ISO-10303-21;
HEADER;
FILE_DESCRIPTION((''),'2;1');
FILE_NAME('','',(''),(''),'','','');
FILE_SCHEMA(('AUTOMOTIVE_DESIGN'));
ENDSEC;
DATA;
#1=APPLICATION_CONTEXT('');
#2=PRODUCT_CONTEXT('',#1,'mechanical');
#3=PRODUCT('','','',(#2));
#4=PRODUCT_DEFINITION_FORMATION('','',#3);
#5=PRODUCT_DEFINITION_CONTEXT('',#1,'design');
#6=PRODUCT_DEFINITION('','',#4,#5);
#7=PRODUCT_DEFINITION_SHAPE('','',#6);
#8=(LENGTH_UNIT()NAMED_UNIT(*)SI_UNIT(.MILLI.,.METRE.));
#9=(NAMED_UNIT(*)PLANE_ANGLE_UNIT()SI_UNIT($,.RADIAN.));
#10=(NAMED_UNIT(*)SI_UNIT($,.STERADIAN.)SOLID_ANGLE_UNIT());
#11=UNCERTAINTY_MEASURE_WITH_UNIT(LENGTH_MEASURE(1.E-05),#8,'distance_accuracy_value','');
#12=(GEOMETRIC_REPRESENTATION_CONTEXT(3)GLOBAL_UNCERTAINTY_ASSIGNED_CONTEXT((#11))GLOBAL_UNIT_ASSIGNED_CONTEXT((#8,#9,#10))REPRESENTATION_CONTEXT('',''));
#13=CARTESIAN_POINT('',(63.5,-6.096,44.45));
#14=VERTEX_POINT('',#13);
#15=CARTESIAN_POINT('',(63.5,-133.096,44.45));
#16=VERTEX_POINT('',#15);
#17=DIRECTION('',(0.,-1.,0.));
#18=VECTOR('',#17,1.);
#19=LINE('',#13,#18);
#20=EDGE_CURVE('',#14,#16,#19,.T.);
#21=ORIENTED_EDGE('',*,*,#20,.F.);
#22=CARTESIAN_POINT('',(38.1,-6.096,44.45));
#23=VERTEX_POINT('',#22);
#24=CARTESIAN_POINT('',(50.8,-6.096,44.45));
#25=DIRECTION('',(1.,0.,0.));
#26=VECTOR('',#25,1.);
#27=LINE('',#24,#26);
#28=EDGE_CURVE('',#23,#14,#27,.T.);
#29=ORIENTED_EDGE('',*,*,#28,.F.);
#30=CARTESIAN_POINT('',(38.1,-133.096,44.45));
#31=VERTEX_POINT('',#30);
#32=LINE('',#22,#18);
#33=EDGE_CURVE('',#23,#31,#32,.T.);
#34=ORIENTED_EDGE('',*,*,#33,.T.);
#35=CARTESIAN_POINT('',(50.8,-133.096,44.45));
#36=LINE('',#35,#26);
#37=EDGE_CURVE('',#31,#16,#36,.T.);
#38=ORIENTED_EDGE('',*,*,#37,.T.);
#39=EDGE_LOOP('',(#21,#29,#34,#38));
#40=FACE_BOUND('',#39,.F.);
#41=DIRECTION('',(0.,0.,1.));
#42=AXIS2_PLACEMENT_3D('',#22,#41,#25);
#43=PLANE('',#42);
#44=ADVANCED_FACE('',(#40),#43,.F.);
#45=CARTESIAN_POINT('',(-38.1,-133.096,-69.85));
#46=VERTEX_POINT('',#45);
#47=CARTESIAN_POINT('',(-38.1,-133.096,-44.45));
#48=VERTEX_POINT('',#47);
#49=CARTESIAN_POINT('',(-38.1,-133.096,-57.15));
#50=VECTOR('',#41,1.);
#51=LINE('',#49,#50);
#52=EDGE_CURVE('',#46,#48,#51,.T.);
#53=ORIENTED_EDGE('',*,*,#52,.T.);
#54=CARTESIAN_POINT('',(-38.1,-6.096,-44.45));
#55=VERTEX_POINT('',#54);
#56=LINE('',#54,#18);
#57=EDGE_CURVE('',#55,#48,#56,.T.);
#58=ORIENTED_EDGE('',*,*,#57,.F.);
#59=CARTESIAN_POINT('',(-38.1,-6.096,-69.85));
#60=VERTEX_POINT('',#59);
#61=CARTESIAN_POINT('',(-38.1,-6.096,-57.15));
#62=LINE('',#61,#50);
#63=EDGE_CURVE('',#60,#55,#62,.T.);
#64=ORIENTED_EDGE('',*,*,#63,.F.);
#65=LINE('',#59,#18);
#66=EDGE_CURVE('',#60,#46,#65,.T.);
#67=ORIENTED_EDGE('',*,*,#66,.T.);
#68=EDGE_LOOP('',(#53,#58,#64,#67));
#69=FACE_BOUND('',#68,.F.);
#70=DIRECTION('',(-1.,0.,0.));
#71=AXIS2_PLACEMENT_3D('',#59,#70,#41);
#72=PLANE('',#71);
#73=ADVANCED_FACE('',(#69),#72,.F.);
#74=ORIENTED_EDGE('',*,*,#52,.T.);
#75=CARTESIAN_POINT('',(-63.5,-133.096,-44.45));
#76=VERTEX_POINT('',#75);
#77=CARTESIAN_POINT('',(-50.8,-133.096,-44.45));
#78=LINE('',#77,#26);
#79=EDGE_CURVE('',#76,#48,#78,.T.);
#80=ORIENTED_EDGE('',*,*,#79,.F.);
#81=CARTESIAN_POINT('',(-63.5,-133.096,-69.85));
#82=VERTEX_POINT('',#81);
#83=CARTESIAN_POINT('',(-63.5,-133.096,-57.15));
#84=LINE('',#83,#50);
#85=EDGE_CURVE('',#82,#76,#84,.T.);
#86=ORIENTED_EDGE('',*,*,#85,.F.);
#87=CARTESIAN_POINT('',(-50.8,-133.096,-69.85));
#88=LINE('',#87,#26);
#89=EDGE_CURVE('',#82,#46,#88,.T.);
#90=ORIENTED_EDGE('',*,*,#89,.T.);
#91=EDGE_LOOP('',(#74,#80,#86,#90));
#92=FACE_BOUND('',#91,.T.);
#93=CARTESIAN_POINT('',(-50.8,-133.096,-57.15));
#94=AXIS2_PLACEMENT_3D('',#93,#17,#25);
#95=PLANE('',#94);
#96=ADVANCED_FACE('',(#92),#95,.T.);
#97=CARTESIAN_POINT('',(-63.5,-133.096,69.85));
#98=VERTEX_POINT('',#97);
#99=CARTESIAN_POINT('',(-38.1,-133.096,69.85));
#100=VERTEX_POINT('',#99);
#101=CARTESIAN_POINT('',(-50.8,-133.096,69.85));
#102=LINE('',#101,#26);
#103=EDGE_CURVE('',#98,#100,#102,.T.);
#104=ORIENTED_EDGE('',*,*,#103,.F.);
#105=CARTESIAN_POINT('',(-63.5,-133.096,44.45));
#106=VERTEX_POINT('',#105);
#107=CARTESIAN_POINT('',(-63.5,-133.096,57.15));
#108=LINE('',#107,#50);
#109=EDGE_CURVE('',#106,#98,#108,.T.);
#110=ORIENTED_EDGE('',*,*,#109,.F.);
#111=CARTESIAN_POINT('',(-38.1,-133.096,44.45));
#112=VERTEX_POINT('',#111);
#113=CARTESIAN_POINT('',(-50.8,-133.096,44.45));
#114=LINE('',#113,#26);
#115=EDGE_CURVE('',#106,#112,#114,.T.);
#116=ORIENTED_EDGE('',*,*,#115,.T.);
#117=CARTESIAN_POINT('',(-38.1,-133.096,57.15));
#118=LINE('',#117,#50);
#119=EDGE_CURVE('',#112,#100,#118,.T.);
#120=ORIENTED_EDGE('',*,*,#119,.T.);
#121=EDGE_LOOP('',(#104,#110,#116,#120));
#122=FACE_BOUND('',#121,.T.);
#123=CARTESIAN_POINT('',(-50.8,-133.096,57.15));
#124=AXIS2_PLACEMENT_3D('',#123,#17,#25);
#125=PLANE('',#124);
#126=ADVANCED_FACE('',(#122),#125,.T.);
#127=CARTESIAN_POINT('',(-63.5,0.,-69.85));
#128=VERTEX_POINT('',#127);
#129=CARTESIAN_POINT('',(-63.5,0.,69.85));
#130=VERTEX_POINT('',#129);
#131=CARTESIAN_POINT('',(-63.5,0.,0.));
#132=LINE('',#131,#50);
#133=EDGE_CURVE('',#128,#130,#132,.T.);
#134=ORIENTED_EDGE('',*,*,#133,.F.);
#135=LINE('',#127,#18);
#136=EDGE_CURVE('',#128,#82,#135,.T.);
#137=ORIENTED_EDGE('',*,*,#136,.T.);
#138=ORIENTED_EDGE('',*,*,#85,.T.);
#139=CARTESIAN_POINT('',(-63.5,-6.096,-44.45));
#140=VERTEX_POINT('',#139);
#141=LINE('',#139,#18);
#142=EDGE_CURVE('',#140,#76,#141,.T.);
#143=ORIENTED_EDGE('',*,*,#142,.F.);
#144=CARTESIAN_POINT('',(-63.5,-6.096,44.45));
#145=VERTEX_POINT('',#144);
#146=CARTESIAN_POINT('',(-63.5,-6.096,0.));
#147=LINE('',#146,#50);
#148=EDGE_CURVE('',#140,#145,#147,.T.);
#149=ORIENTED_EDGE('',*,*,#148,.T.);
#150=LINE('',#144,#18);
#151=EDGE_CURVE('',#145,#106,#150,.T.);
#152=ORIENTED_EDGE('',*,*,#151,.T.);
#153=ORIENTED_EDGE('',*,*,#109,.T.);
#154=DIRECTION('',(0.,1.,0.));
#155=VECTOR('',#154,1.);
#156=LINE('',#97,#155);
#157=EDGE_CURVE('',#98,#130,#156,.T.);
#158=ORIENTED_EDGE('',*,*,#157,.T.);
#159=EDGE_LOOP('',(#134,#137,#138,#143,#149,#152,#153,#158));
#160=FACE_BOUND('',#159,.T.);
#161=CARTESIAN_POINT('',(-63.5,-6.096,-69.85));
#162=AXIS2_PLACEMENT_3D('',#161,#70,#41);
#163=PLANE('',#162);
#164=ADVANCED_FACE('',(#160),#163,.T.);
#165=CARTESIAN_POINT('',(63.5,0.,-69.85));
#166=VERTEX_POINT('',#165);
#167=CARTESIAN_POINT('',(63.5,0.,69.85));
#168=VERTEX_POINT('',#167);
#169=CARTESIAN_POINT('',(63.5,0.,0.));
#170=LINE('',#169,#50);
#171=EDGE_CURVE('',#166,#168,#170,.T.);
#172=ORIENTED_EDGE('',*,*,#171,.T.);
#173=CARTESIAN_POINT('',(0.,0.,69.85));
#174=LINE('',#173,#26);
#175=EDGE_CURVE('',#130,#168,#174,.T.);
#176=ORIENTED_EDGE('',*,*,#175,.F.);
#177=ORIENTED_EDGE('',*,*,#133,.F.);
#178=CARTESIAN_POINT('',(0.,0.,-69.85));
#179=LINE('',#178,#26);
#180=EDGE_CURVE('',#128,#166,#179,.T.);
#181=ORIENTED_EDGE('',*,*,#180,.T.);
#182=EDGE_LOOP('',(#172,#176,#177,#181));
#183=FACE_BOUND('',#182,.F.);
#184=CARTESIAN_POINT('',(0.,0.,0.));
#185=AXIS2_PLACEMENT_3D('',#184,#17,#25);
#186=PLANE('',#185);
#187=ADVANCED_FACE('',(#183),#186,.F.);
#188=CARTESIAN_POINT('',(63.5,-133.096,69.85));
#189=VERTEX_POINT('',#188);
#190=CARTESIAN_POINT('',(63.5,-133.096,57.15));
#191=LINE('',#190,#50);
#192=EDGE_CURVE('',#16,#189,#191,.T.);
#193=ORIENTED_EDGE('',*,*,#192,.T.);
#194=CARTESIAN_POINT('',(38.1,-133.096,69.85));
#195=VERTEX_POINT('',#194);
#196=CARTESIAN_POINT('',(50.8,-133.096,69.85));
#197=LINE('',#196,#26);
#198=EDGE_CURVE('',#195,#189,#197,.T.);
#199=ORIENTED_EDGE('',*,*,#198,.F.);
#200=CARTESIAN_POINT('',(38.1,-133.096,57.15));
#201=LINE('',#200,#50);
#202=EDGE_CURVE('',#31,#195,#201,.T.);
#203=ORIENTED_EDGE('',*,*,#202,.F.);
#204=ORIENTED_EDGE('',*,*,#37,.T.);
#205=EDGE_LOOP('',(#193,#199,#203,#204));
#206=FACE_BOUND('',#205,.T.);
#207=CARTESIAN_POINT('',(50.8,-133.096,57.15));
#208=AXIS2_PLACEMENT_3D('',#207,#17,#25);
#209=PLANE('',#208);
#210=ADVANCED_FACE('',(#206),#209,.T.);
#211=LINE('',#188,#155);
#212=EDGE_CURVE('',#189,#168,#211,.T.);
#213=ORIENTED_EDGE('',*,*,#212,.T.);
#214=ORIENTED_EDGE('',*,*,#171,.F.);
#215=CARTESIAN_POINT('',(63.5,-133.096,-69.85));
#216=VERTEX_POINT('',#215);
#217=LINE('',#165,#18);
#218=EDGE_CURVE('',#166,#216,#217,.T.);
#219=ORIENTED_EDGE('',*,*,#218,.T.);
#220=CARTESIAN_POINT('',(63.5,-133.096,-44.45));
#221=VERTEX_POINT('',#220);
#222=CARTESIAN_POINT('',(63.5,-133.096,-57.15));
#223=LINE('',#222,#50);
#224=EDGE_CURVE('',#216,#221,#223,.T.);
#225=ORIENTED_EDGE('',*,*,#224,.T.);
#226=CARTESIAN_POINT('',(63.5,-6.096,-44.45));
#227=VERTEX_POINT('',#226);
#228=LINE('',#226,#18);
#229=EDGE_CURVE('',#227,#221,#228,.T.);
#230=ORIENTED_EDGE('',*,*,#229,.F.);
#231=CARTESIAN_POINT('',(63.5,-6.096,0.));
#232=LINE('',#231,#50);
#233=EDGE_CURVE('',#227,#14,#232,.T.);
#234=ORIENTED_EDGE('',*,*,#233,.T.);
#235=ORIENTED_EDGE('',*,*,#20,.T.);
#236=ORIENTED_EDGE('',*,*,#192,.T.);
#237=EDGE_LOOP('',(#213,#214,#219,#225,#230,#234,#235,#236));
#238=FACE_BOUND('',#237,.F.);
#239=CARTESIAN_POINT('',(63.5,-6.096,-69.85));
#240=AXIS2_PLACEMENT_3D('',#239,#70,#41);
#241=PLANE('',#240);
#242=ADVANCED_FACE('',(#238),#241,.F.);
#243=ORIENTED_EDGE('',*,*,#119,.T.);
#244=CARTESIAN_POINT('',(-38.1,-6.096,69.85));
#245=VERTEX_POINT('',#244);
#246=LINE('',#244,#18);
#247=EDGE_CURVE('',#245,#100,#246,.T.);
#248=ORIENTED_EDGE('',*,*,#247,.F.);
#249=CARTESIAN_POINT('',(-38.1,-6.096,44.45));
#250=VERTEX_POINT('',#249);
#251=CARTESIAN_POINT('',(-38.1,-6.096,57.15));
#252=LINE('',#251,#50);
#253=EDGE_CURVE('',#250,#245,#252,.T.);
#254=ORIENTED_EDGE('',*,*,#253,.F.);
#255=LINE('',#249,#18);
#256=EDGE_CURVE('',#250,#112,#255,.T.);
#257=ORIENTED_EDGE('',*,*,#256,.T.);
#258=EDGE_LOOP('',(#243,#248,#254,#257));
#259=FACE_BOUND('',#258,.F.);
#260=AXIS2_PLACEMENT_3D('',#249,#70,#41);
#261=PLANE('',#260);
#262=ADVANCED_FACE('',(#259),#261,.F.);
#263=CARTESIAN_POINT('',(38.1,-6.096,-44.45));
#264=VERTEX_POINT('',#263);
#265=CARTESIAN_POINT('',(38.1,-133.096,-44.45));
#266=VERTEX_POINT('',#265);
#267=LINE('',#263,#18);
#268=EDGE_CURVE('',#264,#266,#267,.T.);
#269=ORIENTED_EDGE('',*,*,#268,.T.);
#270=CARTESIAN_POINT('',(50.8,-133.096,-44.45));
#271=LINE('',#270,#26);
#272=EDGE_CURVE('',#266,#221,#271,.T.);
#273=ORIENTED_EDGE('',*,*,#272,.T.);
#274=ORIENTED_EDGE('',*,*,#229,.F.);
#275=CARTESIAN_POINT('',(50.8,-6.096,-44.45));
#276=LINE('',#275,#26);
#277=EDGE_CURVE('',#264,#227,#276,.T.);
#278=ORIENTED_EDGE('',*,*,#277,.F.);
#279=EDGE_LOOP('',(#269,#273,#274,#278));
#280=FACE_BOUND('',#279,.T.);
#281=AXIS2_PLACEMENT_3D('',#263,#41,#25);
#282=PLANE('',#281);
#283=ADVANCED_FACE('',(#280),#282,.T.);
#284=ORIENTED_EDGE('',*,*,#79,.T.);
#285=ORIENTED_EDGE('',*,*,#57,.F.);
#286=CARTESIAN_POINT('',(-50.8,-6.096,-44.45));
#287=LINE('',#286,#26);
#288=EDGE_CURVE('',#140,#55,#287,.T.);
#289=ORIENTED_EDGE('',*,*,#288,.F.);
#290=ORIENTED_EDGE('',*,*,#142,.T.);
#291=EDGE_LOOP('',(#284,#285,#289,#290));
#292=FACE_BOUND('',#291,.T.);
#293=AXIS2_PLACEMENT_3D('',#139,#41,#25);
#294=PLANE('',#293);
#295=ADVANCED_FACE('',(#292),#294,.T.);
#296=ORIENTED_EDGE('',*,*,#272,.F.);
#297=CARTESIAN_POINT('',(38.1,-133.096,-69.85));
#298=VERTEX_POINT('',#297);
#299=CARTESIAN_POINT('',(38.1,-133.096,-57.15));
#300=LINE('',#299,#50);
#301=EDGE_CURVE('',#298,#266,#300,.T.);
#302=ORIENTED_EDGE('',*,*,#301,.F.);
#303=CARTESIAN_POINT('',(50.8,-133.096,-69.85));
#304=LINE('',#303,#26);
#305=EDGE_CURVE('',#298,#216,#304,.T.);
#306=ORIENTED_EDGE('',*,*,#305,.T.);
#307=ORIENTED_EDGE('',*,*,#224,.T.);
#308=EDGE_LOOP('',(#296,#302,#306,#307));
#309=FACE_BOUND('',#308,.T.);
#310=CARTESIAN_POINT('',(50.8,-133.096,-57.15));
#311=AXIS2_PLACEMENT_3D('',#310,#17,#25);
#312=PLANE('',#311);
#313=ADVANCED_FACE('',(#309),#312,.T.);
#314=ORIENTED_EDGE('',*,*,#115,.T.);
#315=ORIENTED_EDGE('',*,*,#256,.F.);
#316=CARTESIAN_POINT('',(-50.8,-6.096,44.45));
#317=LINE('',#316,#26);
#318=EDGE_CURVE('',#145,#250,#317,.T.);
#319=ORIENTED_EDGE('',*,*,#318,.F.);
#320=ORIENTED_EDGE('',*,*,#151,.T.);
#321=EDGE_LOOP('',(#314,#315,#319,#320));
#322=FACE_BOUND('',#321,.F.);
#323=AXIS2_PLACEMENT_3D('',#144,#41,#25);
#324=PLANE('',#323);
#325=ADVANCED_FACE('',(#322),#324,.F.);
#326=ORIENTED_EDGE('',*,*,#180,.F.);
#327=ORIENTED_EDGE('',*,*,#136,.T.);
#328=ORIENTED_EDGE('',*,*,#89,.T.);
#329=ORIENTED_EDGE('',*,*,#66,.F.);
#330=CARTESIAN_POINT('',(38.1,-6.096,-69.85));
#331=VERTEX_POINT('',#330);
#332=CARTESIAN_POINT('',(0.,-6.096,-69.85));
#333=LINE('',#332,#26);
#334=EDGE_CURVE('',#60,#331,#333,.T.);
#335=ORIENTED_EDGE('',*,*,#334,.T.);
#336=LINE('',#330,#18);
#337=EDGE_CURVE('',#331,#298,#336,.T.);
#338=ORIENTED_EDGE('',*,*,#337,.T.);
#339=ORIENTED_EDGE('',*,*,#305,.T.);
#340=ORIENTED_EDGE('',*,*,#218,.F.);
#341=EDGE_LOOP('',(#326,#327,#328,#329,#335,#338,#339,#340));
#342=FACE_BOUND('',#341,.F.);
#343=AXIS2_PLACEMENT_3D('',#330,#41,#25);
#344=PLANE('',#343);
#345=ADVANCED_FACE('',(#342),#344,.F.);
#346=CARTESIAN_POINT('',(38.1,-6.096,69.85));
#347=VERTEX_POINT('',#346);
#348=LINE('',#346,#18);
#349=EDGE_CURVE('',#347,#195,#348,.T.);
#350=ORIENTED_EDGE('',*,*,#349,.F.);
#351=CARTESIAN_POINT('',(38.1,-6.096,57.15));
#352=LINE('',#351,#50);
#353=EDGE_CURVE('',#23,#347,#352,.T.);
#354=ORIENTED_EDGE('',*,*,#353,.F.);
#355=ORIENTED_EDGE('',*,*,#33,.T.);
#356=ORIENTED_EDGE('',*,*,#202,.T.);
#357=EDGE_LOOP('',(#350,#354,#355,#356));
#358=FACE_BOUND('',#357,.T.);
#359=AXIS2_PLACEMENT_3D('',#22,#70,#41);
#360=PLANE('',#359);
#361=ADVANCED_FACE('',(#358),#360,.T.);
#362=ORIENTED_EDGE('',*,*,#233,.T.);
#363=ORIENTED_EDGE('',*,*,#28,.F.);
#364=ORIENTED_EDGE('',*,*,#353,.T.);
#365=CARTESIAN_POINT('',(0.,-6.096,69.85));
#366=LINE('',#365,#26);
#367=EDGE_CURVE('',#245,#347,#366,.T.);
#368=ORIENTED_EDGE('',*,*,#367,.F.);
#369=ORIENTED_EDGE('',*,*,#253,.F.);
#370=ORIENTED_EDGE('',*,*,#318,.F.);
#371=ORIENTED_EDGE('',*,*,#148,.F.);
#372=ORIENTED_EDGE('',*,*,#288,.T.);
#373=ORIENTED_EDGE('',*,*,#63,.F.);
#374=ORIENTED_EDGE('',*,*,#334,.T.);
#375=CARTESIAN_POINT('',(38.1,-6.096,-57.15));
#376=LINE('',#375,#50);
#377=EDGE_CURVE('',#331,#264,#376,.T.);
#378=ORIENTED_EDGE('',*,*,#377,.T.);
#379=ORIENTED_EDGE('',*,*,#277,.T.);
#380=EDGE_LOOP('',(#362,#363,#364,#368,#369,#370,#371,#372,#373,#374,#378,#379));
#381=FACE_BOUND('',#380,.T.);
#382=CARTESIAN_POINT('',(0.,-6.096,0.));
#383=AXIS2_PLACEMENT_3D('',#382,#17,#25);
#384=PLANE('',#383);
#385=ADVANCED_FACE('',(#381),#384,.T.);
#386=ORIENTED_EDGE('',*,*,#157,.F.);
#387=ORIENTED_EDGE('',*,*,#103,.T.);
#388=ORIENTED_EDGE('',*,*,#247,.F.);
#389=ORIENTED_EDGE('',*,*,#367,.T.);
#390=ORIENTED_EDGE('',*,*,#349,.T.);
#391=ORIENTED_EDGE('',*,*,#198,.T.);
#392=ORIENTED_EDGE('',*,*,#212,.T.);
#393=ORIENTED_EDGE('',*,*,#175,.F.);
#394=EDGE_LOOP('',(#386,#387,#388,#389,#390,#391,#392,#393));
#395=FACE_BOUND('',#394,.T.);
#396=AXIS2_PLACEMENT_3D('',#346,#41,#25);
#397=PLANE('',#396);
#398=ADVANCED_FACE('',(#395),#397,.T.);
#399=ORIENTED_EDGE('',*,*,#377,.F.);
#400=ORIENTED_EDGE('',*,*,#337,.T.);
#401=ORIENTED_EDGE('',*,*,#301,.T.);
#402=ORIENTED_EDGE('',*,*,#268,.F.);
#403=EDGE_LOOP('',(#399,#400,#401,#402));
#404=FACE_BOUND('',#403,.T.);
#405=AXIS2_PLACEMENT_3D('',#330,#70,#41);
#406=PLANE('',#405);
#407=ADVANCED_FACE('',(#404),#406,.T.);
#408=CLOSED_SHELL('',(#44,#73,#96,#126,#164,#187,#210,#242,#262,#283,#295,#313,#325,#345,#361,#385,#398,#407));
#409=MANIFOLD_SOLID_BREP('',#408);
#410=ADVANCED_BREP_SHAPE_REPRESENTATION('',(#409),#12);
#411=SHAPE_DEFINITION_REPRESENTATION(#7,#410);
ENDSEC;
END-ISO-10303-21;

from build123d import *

# Parameters (mm, degrees)
F0_W     = 127
F0_H     = 139.7
F1_DEPTH = 6.096
F2_W     = 25.4
F2_H     = 25.4
F3_DEPTH = 127
F4_DEPTH = 127
F5_DEPTH = 127
F6_DEPTH = 127


with BuildPart() as f1:
    # F0 (on Front) → F1 (new body)
    with BuildSketch(Plane.XZ):
        Rectangle(F0_W, F0_H)
    extrude(amount=F1_DEPTH)

    # F2 (on face) → F3 (join)
    with BuildSketch(Plane.XZ.offset(6.096)):
        with Locations((-50.8, 57.15)):
            Rectangle(F2_W, F2_H)
    extrude(amount=F3_DEPTH)

    # F2 (on face) → F4 (join)
    with BuildSketch(Plane.XZ.offset(6.096)):
        with Locations((-50.8, -57.15)):
            Rectangle(F2_W, F2_H)
    extrude(amount=F4_DEPTH)

    # F2 (on face) → F5 (join)
    with BuildSketch(Plane.XZ.offset(6.096)):
        with Locations((50.8, 57.15)):
            Rectangle(F2_W, F2_H)
    extrude(amount=F5_DEPTH)

    # F2 (on face) → F6 (join)
    with BuildSketch(Plane.XZ.offset(6.096)):
        with Locations((50.8, -57.15)):
            Rectangle(F2_W, F2_H)
    extrude(amount=F6_DEPTH)


solid = f1.part
